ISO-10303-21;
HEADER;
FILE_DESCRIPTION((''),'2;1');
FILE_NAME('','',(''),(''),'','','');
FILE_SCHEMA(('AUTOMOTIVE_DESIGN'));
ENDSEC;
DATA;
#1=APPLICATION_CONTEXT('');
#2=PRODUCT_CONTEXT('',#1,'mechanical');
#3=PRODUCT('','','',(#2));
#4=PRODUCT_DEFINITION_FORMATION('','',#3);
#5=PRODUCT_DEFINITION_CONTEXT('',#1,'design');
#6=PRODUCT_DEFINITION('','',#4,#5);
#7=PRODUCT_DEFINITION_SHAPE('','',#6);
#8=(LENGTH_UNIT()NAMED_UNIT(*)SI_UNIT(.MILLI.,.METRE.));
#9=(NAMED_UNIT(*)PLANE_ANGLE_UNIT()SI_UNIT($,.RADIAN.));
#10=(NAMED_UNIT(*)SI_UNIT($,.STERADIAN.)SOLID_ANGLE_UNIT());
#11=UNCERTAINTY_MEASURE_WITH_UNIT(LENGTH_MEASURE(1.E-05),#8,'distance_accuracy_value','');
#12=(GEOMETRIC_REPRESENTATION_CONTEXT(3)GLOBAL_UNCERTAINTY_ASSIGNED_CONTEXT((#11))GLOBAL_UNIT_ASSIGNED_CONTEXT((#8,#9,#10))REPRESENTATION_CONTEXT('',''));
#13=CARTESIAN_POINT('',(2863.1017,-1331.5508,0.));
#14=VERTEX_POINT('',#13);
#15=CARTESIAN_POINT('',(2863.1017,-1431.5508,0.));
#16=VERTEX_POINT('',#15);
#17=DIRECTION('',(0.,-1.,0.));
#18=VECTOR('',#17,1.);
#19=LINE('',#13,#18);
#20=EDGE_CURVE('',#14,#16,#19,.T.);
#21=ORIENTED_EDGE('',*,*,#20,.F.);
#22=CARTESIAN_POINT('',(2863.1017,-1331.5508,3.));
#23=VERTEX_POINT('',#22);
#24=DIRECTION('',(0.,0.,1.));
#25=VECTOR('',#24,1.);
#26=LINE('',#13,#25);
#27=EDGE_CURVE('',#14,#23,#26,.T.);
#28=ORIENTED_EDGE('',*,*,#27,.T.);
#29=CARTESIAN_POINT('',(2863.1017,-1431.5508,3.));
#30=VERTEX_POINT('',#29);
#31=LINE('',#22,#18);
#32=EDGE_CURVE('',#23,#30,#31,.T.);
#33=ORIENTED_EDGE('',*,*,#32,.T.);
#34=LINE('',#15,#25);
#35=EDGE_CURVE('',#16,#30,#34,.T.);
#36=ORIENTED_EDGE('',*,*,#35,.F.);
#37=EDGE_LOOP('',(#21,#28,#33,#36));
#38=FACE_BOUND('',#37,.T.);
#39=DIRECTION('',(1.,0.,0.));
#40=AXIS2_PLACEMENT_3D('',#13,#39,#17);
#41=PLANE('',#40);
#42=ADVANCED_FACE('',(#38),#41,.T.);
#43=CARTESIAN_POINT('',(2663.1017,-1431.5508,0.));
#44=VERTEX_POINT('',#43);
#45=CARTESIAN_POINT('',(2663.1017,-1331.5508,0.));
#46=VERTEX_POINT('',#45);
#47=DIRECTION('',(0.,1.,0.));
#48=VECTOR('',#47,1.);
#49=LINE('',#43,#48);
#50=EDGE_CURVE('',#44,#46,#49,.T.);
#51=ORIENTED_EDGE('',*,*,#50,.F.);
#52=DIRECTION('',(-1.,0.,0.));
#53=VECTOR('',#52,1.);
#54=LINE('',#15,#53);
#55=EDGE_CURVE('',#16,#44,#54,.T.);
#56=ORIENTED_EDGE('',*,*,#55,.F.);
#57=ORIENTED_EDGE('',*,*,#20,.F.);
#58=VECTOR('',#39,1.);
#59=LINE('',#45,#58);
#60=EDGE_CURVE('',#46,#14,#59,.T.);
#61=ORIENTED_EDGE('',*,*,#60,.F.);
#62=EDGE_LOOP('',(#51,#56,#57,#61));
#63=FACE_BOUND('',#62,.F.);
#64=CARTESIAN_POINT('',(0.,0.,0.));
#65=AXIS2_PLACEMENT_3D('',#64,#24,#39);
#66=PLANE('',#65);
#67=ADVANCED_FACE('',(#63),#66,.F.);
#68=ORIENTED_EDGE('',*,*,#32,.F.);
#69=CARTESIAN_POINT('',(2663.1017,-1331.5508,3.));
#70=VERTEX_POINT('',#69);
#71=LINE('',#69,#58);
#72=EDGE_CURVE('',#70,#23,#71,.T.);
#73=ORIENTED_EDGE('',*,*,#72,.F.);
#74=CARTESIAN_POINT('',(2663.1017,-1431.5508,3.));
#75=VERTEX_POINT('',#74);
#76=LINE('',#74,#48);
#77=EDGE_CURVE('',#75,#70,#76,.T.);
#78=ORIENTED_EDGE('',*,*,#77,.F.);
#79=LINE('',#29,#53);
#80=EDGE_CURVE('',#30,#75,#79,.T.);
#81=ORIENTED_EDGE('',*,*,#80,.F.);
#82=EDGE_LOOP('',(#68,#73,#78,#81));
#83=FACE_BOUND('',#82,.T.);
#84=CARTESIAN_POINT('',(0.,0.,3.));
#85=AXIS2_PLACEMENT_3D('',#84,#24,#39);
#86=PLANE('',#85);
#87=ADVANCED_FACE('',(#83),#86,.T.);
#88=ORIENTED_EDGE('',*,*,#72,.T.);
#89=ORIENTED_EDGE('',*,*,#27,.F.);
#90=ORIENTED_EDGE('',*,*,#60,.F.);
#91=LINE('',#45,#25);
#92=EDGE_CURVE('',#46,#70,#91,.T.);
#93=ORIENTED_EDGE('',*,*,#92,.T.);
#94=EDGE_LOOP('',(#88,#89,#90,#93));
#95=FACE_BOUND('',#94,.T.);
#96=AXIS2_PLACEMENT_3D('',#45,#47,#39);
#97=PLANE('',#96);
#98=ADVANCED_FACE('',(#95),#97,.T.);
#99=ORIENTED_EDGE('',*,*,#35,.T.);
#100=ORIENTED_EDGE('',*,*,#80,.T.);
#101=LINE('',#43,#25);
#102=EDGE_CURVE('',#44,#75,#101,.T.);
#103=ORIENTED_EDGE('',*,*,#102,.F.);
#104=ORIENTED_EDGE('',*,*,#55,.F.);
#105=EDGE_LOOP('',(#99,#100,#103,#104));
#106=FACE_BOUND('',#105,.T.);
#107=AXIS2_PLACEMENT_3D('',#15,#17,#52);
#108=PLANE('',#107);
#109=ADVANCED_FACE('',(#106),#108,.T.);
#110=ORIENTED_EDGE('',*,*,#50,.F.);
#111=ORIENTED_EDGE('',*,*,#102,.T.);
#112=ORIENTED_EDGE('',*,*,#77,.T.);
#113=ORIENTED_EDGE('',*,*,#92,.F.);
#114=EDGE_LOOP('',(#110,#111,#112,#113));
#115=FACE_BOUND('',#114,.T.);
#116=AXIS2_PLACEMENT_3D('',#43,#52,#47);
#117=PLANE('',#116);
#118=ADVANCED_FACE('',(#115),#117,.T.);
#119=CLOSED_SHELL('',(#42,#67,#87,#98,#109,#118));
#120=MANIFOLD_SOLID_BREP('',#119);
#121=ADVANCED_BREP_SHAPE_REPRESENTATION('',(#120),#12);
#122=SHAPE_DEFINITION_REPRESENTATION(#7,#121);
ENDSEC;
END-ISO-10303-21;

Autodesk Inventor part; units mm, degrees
ref_plane "YZ Plane" through (0, 0, 0) normal (1, 0, 0) x (0, 1, 0)
ref_plane "XZ Plane" through (0, 0, 0) normal (0, 1, 0) x (-1, 0, 0)
ref_plane "XY Plane" through (0, 0, 0) normal (0, 0, 1) x (1, 0, 0)
sketch "스케치1" plane through (0, 0, 0) normal (0, 0, 1) x (1, 0, 0)
  line L0 (2863.1017, -1431.5508) -> (2663.1017, -1431.5508)
  line L1 (2663.1017, -1431.5508) -> (2663.1017, -1331.5508)
  line L2 (2663.1017, -1331.5508) -> (2863.1017, -1331.5508)
  line L3 (2863.1017, -1331.5508) -> (2863.1017, -1431.5508)
  line L4 (2863.1017, -1431.5508) -> (2663.1017, -1331.5508) construction
  line L5 (0, 0) -> (2863.1017, -1331.5508) construction
  point P0 (0, 0)
  dimension "d0" = 200
  dimension "d1" = 100
extrude "돌출1" add sketch "스케치1" along normal blind 3
sketch "스케치2" plane through (0, 0, 3) normal (0, 0, 1) x (1, 0, 0)
  point P0 (0, 0)
sketch "스케치3" plane through (0, 0, 3) normal (0, 0, 1) x (1, 0, 0)
  point P0 (0, 0)
sketch "스케치4" plane through (0, 0, 3) normal (0, 0, 1) x (1, 0, 0)
  point P0 (0, 0)
properties part number "받침" material "카펫"
